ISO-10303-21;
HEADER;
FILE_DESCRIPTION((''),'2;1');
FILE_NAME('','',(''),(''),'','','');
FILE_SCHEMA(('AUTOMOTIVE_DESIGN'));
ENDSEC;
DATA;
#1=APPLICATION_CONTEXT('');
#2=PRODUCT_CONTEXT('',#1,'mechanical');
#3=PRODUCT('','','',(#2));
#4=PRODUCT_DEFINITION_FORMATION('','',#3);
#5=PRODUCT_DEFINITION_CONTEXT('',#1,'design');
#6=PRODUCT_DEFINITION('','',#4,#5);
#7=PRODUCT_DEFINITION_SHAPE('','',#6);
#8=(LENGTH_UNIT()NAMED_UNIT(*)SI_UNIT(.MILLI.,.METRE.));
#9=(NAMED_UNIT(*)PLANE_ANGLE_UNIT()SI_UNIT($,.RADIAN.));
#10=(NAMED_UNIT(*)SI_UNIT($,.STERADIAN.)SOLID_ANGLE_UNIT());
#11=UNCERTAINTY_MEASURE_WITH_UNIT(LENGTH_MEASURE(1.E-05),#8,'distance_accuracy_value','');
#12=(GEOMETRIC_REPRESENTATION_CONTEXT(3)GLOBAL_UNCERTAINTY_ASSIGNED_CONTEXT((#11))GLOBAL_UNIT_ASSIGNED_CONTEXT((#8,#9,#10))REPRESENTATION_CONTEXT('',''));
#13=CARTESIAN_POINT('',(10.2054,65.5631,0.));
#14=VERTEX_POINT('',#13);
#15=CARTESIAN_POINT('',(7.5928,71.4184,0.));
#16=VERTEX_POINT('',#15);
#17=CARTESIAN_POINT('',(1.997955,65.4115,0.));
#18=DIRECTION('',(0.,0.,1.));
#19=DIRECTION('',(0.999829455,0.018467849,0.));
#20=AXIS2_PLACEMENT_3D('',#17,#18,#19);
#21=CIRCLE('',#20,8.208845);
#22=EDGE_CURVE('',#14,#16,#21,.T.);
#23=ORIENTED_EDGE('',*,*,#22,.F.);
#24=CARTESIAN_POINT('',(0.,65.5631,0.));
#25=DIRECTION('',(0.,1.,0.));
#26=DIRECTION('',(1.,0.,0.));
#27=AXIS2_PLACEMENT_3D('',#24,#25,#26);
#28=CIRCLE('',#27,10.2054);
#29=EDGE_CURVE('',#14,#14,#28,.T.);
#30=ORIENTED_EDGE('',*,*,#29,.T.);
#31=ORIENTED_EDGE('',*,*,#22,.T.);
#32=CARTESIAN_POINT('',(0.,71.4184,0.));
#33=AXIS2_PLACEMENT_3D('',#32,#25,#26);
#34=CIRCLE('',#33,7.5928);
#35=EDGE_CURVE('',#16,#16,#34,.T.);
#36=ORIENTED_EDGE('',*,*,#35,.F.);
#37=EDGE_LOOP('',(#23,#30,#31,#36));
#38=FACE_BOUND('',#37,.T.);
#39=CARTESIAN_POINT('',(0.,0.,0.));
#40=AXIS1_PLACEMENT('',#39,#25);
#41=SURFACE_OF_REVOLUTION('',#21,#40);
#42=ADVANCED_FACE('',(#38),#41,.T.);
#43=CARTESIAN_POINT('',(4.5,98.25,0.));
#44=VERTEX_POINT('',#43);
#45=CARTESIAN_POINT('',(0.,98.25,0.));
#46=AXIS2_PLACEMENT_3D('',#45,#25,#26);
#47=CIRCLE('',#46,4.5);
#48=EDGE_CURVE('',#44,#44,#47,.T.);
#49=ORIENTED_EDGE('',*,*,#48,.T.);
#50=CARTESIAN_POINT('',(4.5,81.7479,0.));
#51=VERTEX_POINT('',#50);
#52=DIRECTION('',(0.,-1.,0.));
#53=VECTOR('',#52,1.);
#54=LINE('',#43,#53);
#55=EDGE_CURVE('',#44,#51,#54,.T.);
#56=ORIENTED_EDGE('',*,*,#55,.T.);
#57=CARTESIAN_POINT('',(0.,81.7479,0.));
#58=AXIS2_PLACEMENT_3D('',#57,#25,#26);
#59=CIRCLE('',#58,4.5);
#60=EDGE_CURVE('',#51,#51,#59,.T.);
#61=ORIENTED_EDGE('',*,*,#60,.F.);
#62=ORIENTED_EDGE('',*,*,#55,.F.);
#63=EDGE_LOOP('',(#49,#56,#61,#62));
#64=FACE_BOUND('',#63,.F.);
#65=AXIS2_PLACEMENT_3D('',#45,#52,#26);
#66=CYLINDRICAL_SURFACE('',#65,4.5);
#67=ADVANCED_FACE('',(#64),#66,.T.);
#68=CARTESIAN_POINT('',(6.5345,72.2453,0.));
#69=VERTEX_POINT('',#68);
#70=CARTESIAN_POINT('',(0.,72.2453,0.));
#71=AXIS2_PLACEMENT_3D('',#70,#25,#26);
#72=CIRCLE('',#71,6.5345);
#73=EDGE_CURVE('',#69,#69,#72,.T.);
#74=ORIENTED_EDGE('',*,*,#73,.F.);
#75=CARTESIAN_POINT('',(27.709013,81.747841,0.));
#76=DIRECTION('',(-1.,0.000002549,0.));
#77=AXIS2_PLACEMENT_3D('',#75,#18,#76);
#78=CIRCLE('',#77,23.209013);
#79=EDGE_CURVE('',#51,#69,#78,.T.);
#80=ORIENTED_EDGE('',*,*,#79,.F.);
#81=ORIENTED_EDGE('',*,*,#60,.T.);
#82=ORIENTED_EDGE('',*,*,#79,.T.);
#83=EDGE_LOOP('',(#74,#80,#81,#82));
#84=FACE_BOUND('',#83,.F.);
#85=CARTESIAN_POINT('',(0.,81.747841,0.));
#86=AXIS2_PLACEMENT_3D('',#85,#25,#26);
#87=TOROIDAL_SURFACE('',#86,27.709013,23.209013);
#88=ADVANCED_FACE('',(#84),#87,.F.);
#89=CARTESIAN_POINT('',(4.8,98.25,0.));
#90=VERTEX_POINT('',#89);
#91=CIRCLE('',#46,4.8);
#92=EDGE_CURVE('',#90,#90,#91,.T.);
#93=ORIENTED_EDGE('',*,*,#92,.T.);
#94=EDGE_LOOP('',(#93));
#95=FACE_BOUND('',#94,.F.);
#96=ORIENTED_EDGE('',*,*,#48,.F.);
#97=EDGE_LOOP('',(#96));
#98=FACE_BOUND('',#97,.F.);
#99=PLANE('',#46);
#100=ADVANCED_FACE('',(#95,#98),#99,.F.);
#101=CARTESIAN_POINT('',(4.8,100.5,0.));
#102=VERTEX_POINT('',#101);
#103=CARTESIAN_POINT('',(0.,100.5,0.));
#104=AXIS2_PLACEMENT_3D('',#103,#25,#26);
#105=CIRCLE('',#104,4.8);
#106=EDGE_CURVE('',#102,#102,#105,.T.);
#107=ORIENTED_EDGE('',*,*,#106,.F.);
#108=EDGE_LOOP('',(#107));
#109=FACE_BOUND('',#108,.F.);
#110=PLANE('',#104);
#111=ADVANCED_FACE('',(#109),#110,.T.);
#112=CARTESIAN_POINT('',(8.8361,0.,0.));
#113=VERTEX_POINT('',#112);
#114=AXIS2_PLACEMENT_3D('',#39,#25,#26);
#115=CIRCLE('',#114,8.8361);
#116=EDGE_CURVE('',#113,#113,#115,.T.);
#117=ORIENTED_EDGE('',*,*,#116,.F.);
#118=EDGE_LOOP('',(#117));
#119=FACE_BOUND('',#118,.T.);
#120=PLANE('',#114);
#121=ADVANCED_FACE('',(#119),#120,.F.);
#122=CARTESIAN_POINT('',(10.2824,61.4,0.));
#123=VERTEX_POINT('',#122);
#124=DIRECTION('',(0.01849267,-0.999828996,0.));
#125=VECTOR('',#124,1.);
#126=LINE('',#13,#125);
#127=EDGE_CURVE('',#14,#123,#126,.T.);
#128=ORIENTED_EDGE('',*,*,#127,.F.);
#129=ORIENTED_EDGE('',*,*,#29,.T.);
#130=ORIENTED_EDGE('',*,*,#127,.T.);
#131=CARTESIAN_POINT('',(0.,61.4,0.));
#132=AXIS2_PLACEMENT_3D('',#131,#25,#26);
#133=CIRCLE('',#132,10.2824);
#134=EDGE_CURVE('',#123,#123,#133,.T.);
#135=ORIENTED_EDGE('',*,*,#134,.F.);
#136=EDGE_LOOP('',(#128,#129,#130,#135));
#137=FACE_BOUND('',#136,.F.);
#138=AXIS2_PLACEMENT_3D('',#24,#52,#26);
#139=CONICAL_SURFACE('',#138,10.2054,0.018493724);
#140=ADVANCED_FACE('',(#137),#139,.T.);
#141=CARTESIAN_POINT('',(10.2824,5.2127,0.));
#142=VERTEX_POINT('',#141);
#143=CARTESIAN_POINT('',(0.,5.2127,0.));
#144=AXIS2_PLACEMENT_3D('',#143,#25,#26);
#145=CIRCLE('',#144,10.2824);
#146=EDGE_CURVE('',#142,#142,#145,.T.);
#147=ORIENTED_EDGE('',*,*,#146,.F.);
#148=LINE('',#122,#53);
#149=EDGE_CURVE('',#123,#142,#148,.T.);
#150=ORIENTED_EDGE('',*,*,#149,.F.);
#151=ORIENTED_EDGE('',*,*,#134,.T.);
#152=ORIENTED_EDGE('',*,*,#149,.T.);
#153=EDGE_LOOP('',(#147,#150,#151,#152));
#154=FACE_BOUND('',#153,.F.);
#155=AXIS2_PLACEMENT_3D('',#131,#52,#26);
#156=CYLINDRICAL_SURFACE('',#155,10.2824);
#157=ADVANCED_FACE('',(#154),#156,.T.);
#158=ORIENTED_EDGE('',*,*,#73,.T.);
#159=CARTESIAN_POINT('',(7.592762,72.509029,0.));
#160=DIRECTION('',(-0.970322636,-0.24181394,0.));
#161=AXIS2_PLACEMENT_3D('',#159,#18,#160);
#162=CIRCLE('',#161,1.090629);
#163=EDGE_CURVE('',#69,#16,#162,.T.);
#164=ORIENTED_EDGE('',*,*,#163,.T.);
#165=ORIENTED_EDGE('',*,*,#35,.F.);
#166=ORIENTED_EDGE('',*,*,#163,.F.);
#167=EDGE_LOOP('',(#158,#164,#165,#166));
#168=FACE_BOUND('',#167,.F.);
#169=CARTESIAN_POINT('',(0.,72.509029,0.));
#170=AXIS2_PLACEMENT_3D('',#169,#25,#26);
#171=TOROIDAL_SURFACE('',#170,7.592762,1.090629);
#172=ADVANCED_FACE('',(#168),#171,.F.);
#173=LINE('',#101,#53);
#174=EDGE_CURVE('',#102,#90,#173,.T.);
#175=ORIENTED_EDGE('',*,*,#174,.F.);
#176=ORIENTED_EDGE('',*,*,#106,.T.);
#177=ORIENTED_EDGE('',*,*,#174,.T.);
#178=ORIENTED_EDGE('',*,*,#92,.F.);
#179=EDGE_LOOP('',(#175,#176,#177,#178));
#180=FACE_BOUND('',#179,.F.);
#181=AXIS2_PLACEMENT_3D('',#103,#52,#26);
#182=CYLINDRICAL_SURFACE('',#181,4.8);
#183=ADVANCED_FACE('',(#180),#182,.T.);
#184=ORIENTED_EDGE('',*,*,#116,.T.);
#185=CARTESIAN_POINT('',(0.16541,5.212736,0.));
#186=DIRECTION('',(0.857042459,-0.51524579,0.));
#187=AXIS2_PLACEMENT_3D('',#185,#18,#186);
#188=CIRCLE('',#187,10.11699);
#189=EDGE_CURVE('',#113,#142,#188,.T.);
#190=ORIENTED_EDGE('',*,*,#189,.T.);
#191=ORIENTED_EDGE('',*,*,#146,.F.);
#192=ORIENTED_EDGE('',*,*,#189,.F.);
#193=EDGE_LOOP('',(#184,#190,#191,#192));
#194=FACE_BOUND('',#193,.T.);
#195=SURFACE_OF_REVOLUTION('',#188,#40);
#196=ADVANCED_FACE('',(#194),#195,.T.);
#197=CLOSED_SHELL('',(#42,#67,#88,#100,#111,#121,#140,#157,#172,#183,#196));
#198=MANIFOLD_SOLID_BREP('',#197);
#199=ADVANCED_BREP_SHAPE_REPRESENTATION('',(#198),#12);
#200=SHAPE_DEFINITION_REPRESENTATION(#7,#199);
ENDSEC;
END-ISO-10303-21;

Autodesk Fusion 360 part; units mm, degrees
sketch "Sketch1" plane through (0, 0, 0) normal (0, 0, 1) x (1, 0, 0)
  line L0 (0, 0) -> (0, 100.5)
  line L1 (0, 100.5) -> (4.8, 100.5)
  line L2 (4.8, 100.5) -> (4.8, 98.25)
  line L3 (4.8, 98.25) -> (4.5, 98.25)
  line L4 (4.5, 98.25) -> (4.5, 81.7479)
  line L5 (10.2824, 61.4) -> (10.2824, 5.2127)
  line L6 (0, 0) -> (8.8361, 0)
  arc A0 (8.8361, 0) -> (10.2824, 5.2127) centre (0.1654, 5.2127) ccw
  arc A1 (4.5, 81.7479) -> (6.5345, 72.2453) centre (27.709, 81.7479) ccw
  line L7 (10.2054, 65.5631) -> (10.2824, 61.4)
  arc A2 (6.5345, 72.2453) -> (7.5928, 71.4184) centre (7.5928, 72.509) ccw
  arc A3 (10.2054, 65.5631) -> (7.5928, 71.4184) centre (1.998, 65.4114) ccw
  line L8 (8.5816, 71.4184) -> (8.683, 71.4184)
  dimension "d1" = 100.5
  dimension "d2" = 4.8
  dimension "d3" = 2.25
  dimension "d4" = 0.3
  dimension "d5" = 16.5021
  dimension "d13" = 61.4
revolve "Revolve1" add sketch "Sketch1" angle 360 about axis through (0, 0, 0) along (0, 1, 0)
equation "d1 = haed_flosku"
equation "d5 = d1 * 0.1642"
equation "d13 = d1 - 39.1 mm"
equation "haed_flosku = 100.5 mm"
